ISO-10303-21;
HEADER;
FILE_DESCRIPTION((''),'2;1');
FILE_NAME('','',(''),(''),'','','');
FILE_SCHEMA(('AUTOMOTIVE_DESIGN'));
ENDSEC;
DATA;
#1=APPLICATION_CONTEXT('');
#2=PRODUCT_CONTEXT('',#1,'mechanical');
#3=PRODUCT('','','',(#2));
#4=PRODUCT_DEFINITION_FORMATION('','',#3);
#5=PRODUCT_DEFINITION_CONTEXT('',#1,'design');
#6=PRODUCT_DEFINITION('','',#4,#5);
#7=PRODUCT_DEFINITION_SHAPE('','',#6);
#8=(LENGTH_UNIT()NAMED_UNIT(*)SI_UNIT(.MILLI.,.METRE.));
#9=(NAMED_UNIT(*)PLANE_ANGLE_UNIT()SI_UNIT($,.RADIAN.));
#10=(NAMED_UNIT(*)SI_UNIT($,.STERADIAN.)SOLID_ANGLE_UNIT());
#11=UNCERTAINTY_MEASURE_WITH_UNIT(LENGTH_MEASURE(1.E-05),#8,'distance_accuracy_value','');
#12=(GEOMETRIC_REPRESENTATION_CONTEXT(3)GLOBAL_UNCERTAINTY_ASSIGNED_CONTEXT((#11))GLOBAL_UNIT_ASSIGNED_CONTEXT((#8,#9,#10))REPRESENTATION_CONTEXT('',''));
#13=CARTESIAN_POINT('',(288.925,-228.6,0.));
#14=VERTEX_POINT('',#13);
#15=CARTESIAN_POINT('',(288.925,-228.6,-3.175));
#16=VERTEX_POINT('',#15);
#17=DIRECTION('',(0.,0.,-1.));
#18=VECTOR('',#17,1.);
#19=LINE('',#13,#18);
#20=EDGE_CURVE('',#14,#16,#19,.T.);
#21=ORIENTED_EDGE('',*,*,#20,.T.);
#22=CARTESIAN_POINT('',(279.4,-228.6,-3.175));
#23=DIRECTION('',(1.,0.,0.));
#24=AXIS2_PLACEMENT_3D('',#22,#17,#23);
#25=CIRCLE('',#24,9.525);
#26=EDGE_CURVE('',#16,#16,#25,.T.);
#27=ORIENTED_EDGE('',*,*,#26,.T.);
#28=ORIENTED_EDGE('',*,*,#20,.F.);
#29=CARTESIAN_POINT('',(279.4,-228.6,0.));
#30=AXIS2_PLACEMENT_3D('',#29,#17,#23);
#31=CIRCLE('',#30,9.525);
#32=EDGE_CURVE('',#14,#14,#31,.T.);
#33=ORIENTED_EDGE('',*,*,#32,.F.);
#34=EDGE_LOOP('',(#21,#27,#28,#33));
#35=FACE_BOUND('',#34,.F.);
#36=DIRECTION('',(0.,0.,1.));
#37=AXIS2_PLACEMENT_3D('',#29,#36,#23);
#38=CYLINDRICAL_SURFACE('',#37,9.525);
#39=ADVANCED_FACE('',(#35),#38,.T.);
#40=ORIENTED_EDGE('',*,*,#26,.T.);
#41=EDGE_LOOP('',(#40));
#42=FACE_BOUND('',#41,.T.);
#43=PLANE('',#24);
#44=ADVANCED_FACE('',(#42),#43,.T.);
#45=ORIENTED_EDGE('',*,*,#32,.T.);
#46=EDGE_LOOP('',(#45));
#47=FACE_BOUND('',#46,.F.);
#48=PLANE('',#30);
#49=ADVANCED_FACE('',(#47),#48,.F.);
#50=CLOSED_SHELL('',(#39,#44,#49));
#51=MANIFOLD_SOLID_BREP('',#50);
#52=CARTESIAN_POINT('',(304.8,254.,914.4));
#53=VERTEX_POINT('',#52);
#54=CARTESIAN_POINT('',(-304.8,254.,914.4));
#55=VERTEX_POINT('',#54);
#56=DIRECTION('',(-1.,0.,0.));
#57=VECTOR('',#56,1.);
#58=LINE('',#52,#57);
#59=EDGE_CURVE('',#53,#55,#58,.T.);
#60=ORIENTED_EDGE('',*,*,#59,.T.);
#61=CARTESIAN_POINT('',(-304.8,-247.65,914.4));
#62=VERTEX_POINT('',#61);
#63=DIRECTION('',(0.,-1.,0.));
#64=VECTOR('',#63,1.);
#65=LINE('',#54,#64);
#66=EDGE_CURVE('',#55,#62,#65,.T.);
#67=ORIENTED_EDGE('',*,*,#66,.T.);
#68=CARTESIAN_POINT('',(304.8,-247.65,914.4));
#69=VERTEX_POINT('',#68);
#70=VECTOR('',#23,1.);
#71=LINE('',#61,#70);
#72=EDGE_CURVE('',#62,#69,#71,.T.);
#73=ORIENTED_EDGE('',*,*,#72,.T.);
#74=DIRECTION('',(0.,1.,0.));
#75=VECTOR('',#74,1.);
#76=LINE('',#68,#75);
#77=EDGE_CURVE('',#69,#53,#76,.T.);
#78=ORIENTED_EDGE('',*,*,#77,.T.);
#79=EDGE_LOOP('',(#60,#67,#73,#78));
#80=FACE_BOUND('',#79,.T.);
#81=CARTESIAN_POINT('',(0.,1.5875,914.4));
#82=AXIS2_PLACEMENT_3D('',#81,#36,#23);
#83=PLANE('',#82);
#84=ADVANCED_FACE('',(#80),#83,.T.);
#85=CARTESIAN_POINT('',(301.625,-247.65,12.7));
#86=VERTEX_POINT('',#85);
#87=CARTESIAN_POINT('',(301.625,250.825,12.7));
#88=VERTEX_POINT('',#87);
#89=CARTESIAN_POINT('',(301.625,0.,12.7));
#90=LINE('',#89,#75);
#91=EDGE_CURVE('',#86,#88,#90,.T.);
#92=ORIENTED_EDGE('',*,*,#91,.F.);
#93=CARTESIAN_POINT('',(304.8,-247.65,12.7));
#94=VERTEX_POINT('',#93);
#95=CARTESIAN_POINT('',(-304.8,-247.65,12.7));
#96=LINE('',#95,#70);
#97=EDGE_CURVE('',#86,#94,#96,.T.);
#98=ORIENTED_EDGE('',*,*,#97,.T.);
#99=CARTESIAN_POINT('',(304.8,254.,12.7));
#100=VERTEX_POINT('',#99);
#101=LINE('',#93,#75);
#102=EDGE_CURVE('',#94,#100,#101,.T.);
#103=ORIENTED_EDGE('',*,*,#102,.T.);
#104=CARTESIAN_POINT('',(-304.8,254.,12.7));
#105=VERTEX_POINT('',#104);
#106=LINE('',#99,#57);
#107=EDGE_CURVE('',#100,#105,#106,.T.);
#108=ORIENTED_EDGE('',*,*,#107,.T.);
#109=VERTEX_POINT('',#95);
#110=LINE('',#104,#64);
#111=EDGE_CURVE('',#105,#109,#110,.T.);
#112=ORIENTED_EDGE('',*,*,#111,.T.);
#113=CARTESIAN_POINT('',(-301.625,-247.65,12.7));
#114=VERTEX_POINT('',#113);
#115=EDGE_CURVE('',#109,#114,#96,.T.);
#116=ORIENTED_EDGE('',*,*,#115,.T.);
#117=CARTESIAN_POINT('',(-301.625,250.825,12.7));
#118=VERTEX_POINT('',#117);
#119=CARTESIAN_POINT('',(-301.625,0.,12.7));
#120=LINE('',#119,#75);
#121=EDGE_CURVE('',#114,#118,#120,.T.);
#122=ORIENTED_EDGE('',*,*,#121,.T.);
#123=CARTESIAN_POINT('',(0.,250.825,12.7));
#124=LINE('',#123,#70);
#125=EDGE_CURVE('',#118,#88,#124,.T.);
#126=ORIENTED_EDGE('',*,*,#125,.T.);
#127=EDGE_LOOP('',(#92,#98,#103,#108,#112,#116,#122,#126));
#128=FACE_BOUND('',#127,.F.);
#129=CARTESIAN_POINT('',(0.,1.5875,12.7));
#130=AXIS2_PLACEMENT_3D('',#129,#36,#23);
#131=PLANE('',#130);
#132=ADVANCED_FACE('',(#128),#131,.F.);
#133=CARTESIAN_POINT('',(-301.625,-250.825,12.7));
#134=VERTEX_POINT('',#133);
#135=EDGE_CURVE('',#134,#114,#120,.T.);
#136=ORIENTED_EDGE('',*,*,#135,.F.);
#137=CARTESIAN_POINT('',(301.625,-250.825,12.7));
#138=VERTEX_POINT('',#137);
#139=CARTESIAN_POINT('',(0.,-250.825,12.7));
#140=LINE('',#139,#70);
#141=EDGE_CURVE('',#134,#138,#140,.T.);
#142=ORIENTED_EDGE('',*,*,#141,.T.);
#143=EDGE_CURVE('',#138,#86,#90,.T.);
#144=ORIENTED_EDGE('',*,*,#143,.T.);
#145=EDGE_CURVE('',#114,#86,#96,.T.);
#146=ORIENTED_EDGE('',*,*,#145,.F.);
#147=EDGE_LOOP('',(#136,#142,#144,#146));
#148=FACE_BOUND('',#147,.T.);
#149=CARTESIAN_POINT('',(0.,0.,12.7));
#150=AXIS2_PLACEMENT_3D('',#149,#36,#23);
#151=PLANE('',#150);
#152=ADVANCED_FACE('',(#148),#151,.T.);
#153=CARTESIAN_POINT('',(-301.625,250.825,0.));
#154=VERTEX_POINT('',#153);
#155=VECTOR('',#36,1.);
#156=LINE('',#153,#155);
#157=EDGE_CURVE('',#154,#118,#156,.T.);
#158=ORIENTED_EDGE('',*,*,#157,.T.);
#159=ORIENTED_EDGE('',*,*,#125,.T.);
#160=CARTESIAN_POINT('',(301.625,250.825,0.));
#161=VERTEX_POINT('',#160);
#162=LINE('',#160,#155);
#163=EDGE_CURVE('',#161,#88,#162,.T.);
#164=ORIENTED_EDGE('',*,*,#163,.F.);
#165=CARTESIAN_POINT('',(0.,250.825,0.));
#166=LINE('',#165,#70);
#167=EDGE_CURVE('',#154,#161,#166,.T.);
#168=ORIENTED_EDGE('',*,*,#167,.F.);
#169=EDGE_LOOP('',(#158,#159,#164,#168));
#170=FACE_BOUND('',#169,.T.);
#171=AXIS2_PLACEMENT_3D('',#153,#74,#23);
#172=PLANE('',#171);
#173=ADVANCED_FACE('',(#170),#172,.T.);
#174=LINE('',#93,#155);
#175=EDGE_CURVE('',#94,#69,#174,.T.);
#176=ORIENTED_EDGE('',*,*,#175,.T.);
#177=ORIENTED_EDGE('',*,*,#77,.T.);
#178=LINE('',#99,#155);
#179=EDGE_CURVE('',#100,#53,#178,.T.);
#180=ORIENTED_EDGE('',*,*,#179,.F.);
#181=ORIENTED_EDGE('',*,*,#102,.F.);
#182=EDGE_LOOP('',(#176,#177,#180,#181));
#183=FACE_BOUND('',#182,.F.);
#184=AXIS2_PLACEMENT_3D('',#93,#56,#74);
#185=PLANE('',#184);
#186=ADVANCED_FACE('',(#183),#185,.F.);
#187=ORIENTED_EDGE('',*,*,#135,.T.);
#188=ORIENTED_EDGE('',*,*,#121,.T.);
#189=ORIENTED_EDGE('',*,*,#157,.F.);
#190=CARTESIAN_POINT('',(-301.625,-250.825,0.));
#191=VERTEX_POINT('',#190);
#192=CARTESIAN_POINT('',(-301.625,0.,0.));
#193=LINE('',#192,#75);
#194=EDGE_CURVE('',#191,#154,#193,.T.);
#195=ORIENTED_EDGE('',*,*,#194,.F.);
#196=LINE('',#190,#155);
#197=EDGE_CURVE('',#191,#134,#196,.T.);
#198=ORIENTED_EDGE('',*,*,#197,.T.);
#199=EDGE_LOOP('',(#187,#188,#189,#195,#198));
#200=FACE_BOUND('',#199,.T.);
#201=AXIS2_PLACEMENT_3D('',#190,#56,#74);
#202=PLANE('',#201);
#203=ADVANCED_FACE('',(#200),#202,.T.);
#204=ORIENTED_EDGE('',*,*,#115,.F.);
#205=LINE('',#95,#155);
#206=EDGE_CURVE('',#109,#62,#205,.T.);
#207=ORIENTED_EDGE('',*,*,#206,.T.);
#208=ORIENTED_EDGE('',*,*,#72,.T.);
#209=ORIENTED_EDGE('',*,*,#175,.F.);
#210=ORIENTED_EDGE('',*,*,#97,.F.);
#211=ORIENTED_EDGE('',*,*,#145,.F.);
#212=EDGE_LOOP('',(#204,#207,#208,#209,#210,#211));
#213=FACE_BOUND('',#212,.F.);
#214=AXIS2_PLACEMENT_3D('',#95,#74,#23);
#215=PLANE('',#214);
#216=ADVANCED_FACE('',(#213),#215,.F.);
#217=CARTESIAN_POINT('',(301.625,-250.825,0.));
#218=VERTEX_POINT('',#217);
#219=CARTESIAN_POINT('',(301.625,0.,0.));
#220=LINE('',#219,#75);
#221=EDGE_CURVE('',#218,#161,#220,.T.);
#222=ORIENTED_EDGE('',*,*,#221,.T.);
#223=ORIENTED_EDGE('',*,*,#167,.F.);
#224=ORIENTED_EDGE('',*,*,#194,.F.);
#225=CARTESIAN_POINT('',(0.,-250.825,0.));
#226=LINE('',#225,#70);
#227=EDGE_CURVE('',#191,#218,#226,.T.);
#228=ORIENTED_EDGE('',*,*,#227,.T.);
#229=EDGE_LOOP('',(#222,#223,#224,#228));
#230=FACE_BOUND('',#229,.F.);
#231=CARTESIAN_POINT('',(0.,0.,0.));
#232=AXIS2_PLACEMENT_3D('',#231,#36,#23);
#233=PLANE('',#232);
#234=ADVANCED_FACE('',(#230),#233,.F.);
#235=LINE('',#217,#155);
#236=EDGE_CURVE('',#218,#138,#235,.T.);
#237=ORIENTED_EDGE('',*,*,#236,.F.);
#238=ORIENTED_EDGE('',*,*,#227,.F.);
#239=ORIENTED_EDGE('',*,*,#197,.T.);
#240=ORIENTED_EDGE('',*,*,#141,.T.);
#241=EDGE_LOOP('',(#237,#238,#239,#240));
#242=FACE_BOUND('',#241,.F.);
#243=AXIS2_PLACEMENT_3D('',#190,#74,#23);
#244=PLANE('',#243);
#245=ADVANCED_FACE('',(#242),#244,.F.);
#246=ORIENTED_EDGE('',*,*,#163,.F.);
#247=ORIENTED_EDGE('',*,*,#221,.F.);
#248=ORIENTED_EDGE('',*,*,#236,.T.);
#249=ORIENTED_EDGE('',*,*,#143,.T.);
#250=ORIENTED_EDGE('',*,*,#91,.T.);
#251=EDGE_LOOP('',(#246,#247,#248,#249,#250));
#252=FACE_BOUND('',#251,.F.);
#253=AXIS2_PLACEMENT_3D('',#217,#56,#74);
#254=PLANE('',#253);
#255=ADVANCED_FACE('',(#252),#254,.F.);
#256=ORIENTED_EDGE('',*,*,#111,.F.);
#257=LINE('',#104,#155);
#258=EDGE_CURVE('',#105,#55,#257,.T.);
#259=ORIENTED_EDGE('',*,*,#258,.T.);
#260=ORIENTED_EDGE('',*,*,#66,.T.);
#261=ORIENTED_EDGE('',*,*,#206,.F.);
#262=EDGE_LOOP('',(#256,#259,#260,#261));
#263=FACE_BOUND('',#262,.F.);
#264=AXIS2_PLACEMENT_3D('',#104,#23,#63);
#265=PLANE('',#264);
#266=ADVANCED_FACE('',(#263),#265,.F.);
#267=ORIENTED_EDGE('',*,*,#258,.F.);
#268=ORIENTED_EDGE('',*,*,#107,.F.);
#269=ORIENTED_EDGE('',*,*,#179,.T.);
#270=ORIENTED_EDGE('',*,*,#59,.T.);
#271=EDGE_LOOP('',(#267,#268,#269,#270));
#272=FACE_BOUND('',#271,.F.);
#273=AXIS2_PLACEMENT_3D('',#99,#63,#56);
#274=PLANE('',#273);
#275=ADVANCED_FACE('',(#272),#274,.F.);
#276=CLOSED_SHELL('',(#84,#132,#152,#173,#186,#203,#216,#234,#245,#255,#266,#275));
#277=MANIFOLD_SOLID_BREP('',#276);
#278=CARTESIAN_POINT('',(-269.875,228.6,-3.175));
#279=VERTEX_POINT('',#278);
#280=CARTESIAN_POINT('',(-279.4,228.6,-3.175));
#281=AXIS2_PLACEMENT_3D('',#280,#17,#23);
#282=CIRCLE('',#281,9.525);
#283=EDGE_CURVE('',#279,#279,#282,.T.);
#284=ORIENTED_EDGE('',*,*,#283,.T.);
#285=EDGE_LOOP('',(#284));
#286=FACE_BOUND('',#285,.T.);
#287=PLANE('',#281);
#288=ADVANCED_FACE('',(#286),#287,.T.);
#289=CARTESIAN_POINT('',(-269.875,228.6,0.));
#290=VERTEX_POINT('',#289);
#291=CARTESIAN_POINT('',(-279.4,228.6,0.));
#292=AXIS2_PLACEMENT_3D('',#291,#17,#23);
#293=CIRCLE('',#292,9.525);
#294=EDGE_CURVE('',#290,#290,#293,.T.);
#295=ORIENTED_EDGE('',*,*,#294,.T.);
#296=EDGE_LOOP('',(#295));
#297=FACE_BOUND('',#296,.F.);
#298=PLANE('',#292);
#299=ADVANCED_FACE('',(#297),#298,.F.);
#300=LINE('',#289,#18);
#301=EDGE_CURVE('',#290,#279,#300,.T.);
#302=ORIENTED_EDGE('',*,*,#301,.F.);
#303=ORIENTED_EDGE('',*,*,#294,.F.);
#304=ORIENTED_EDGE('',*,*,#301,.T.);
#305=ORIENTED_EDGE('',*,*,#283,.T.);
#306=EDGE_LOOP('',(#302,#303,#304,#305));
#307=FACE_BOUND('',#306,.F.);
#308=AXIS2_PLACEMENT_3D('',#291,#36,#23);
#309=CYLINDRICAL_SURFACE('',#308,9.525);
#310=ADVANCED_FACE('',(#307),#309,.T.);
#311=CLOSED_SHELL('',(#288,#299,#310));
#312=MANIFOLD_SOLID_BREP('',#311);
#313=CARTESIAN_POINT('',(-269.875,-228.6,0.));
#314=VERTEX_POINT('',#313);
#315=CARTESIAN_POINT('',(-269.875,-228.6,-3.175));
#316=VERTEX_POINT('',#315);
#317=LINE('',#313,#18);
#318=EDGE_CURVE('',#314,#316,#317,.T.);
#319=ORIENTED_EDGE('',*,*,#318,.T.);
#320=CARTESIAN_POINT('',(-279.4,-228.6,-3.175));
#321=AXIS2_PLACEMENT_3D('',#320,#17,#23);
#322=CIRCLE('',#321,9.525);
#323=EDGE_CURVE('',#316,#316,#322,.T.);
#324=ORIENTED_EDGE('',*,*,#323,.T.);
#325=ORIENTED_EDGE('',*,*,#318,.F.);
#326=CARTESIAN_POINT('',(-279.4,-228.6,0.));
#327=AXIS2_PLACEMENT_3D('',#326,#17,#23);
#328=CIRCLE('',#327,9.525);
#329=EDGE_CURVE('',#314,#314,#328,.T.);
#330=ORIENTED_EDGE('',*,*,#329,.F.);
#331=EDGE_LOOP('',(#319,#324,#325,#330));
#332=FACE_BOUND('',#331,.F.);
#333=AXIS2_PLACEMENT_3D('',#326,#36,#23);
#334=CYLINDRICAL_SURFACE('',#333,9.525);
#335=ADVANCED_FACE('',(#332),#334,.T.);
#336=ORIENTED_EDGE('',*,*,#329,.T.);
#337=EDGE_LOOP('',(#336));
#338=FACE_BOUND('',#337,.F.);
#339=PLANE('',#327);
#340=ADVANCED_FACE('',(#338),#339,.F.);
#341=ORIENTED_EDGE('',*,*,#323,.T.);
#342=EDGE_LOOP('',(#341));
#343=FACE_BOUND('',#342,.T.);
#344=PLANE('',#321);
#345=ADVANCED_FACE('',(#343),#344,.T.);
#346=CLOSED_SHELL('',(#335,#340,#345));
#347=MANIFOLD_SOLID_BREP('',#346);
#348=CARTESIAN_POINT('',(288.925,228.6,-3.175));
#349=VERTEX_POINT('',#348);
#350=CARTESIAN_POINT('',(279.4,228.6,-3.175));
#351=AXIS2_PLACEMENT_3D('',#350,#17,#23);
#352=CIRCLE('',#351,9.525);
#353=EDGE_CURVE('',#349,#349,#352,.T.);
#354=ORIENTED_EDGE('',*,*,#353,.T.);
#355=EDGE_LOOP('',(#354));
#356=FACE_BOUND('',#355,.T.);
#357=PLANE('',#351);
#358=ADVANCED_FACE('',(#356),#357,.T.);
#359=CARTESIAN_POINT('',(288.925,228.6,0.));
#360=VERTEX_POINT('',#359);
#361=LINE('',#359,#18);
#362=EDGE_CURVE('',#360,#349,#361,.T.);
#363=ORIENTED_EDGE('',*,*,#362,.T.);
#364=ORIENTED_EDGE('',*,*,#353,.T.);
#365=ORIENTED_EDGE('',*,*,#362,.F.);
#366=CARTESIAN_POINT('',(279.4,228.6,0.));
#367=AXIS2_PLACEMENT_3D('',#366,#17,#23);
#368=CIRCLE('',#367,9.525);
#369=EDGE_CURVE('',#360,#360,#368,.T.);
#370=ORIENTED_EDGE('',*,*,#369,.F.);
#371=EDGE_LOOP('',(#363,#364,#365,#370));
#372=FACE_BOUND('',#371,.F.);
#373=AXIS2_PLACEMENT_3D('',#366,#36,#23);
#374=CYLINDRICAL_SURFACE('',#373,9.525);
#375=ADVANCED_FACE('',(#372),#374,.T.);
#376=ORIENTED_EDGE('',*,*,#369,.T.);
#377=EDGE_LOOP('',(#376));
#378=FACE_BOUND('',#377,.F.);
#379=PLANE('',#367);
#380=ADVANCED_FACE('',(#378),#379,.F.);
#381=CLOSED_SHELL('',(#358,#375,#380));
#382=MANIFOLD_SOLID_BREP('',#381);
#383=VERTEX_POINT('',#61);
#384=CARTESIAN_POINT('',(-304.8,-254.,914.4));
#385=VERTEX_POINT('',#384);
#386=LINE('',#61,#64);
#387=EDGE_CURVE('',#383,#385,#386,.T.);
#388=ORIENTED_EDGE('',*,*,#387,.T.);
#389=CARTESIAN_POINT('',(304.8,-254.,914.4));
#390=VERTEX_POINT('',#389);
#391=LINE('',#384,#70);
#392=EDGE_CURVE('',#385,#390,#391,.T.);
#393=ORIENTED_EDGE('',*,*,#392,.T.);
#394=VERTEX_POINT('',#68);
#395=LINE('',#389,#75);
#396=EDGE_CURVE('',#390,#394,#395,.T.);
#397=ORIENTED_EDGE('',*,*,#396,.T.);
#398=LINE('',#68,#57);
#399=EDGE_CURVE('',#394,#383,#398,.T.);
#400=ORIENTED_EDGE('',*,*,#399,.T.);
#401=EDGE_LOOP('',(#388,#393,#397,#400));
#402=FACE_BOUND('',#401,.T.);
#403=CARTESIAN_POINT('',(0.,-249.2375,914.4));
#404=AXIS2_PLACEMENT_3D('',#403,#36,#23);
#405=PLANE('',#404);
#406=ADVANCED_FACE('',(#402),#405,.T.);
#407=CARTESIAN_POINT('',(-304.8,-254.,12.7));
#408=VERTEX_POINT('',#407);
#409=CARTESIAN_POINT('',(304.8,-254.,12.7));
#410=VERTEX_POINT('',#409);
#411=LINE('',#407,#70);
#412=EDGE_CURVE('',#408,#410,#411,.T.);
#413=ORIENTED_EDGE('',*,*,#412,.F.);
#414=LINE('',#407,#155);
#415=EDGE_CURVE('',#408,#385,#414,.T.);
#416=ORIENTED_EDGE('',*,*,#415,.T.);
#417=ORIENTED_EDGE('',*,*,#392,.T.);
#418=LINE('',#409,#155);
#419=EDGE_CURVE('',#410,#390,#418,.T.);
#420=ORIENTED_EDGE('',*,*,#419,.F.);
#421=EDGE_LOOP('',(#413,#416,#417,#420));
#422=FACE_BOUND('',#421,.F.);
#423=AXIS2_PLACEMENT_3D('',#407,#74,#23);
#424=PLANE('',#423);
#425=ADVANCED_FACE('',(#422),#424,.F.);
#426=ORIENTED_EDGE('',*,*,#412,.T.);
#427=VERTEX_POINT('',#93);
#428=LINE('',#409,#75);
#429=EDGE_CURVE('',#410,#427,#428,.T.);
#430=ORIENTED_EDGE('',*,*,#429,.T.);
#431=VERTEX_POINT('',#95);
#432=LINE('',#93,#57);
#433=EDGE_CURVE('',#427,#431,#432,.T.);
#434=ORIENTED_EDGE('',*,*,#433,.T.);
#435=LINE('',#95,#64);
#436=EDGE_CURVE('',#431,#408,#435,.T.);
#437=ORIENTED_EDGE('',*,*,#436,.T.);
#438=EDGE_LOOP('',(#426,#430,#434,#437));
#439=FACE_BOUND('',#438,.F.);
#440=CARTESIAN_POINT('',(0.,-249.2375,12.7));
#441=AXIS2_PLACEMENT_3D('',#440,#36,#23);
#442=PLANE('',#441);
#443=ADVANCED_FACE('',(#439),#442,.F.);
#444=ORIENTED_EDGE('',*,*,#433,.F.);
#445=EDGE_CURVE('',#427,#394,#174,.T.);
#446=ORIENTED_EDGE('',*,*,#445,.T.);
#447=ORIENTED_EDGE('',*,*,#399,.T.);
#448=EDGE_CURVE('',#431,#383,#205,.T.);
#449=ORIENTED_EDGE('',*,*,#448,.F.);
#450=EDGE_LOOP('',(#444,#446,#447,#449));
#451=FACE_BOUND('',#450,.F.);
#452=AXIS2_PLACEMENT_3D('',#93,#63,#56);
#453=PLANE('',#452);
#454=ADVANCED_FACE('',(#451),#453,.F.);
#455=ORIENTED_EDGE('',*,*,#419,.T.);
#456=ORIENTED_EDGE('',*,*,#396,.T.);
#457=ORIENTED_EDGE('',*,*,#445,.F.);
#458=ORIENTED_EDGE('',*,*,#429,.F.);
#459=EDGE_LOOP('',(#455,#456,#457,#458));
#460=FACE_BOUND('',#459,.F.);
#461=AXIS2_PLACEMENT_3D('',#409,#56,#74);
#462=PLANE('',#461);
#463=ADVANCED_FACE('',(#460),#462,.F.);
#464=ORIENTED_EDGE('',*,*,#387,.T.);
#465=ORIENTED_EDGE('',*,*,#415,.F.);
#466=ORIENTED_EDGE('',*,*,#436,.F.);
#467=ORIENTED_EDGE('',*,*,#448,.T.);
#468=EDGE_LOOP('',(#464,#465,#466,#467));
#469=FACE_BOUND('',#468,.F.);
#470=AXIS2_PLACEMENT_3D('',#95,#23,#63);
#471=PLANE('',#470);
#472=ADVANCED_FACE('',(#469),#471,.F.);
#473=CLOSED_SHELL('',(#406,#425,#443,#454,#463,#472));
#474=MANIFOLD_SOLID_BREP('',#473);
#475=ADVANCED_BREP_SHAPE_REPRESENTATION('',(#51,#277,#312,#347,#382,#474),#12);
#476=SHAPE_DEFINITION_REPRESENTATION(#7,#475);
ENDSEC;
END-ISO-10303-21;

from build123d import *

# Parameters (mm, degrees)
F0_W     = 603.25
F0_H     = 501.65
F1_DEPTH = 12.7
F2_W     = 603.25
F2_H     = 498.475
F3_DEPTH = 901.7
F2_H_2   = 3.175
F4_DEPTH = 901.7
F5_R     = 9.525
F6_DEPTH = 3.175


with BuildPart() as f1:
    # F0 (on Top) → F1 (new body)
    with BuildSketch(Plane.XY):
        Rectangle(F0_W, F0_H)
    extrude(amount=F1_DEPTH)

    # F2 (on face) → F3 (join)
    with BuildSketch(Plane.XY.offset(12.7)):
        with Locations((0, 1.5875)):
            Rectangle(F2_W, F2_H)
        Polygon((304.8, 254), (-304.8, 254), (-304.8, -247.65), (-301.625, -247.65), (-301.625, 250.825), (301.625, 250.825), (301.625, -247.65), (304.8, -247.65), align=None)
    extrude(amount=F3_DEPTH)


with BuildPart() as f4:
    # F2 (on face) → F4 (new body)
    with BuildSketch(Plane.XY.offset(12.7)):
        with Locations((0, -249.2375)):
            Rectangle(F2_W, F2_H_2)
        Polygon((-301.625, -247.65), (-304.8, -247.65), (-304.8, -254), (304.8, -254), (304.8, -247.65), (301.625, -247.65), (301.625, -250.825), (-301.625, -250.825), align=None)
    extrude(amount=F4_DEPTH)


with BuildPart() as f6:
    # F5 (on face) → F6 (new body)
    with BuildSketch(Plane(origin=(0, 0, 0), x_dir=(1, 0, 0), z_dir=(0, 0, -1))):
        with Locations((-279.4, 228.6)):
            Circle(F5_R)
    extrude(amount=F6_DEPTH)


with BuildPart() as f6b:
    # F5 (on face) → F6, piece 2 (new body)
    with BuildSketch(Plane(origin=(0, 0, 0), x_dir=(1, 0, 0), z_dir=(0, 0, -1))):
        with Locations((-279.4, -228.6)):
            Circle(F5_R)
    extrude(amount=F6_DEPTH)


with BuildPart() as f6c:
    # F5 (on face) → F6, piece 3 (new body)
    with BuildSketch(Plane(origin=(0, 0, 0), x_dir=(1, 0, 0), z_dir=(0, 0, -1))):
        with Locations((279.4, 228.6)):
            Circle(F5_R)
    extrude(amount=F6_DEPTH)


with BuildPart() as f6d:
    # F5 (on face) → F6, piece 4 (new body)
    with BuildSketch(Plane(origin=(0, 0, 0), x_dir=(1, 0, 0), z_dir=(0, 0, -1))):
        with Locations((279.4, -228.6)):
            Circle(F5_R)
    extrude(amount=F6_DEPTH)


solid = Compound([f1.part, f4.part, f6.part, f6b.part, f6c.part, f6d.part])
